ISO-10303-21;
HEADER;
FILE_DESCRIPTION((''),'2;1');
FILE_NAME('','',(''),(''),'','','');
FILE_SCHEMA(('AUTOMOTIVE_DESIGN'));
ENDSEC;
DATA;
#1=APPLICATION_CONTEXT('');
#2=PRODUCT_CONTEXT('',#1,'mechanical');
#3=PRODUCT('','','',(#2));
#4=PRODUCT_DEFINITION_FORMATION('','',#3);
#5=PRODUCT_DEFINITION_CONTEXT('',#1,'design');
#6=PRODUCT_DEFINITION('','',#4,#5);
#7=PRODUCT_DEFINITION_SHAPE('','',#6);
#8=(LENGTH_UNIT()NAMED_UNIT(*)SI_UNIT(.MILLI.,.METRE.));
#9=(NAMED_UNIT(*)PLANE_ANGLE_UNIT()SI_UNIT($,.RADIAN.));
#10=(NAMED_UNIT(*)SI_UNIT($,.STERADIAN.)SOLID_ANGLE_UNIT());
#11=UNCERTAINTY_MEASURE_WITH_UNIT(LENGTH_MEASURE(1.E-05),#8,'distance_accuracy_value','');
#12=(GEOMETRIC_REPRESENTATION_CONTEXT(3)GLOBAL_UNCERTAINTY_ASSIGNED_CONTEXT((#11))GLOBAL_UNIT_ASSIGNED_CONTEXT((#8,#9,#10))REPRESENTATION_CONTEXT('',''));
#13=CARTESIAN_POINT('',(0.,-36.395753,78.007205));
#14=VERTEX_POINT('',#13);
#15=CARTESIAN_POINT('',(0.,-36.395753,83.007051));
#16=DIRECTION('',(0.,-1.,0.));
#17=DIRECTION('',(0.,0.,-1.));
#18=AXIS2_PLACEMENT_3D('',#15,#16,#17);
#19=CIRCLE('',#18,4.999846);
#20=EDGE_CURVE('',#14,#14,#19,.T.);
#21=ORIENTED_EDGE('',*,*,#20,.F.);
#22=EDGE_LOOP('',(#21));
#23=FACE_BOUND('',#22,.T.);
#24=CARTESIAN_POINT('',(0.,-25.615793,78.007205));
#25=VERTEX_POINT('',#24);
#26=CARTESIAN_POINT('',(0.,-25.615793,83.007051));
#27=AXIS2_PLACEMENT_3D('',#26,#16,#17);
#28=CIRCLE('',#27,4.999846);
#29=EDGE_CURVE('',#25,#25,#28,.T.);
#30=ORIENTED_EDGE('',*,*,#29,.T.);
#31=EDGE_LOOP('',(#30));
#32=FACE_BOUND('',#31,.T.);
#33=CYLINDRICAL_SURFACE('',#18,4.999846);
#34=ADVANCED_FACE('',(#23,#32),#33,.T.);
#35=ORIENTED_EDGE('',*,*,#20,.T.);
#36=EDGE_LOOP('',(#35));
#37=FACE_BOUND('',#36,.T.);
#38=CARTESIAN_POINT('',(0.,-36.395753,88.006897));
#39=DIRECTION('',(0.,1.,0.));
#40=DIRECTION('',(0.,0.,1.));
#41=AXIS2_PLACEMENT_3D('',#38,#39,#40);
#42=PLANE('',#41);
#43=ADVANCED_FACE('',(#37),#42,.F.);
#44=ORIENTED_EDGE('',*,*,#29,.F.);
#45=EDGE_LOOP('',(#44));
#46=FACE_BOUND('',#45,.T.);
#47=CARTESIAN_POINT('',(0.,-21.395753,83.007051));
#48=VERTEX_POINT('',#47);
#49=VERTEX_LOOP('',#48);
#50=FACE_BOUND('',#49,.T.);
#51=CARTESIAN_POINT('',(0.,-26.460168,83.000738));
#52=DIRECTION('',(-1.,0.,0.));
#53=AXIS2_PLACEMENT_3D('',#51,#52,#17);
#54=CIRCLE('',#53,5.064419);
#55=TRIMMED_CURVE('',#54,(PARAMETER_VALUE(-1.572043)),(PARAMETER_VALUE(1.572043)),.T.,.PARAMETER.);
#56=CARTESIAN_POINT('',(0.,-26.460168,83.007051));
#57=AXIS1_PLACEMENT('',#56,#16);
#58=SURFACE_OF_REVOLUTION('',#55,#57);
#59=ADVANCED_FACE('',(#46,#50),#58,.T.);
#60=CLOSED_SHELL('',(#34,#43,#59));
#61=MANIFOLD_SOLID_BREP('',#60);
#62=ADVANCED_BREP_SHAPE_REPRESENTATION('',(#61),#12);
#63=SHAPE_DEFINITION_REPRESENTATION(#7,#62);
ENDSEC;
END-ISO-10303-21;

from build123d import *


with BuildPart() as part:
    # Эскиз1 → Повернуть1 (revolve)
    with BuildSketch(Plane(origin=(0, 0, 0), x_dir=(0, 0, -1), z_dir=(1, 0, 0)), mode=Mode.PRIVATE) as revolve_1_sk:
        with BuildLine():
            Line((-88.006897482, -25.615792765), (-88.006897482, -36.395752859))
            Line((-88.006897482, -36.395752859), (-83.007051162, -36.395752859))
            Line((-83.007051162, -36.395752859), (-83.007051162, -21.395752859))
            ThreePointArc((-83.007051162, -21.395752859), (-86.279902989, -22.590017361), (-88.006897482, -25.615792765))
        make_face()
    revolve(revolve_1_sk.sketch.rotate(Axis((0, -36.395752859, 83.007051162), (0, 1, 0)), 180), axis=Axis((0, -36.395752859, 83.007051162), (0, 1, 0)))


solid = part.part
